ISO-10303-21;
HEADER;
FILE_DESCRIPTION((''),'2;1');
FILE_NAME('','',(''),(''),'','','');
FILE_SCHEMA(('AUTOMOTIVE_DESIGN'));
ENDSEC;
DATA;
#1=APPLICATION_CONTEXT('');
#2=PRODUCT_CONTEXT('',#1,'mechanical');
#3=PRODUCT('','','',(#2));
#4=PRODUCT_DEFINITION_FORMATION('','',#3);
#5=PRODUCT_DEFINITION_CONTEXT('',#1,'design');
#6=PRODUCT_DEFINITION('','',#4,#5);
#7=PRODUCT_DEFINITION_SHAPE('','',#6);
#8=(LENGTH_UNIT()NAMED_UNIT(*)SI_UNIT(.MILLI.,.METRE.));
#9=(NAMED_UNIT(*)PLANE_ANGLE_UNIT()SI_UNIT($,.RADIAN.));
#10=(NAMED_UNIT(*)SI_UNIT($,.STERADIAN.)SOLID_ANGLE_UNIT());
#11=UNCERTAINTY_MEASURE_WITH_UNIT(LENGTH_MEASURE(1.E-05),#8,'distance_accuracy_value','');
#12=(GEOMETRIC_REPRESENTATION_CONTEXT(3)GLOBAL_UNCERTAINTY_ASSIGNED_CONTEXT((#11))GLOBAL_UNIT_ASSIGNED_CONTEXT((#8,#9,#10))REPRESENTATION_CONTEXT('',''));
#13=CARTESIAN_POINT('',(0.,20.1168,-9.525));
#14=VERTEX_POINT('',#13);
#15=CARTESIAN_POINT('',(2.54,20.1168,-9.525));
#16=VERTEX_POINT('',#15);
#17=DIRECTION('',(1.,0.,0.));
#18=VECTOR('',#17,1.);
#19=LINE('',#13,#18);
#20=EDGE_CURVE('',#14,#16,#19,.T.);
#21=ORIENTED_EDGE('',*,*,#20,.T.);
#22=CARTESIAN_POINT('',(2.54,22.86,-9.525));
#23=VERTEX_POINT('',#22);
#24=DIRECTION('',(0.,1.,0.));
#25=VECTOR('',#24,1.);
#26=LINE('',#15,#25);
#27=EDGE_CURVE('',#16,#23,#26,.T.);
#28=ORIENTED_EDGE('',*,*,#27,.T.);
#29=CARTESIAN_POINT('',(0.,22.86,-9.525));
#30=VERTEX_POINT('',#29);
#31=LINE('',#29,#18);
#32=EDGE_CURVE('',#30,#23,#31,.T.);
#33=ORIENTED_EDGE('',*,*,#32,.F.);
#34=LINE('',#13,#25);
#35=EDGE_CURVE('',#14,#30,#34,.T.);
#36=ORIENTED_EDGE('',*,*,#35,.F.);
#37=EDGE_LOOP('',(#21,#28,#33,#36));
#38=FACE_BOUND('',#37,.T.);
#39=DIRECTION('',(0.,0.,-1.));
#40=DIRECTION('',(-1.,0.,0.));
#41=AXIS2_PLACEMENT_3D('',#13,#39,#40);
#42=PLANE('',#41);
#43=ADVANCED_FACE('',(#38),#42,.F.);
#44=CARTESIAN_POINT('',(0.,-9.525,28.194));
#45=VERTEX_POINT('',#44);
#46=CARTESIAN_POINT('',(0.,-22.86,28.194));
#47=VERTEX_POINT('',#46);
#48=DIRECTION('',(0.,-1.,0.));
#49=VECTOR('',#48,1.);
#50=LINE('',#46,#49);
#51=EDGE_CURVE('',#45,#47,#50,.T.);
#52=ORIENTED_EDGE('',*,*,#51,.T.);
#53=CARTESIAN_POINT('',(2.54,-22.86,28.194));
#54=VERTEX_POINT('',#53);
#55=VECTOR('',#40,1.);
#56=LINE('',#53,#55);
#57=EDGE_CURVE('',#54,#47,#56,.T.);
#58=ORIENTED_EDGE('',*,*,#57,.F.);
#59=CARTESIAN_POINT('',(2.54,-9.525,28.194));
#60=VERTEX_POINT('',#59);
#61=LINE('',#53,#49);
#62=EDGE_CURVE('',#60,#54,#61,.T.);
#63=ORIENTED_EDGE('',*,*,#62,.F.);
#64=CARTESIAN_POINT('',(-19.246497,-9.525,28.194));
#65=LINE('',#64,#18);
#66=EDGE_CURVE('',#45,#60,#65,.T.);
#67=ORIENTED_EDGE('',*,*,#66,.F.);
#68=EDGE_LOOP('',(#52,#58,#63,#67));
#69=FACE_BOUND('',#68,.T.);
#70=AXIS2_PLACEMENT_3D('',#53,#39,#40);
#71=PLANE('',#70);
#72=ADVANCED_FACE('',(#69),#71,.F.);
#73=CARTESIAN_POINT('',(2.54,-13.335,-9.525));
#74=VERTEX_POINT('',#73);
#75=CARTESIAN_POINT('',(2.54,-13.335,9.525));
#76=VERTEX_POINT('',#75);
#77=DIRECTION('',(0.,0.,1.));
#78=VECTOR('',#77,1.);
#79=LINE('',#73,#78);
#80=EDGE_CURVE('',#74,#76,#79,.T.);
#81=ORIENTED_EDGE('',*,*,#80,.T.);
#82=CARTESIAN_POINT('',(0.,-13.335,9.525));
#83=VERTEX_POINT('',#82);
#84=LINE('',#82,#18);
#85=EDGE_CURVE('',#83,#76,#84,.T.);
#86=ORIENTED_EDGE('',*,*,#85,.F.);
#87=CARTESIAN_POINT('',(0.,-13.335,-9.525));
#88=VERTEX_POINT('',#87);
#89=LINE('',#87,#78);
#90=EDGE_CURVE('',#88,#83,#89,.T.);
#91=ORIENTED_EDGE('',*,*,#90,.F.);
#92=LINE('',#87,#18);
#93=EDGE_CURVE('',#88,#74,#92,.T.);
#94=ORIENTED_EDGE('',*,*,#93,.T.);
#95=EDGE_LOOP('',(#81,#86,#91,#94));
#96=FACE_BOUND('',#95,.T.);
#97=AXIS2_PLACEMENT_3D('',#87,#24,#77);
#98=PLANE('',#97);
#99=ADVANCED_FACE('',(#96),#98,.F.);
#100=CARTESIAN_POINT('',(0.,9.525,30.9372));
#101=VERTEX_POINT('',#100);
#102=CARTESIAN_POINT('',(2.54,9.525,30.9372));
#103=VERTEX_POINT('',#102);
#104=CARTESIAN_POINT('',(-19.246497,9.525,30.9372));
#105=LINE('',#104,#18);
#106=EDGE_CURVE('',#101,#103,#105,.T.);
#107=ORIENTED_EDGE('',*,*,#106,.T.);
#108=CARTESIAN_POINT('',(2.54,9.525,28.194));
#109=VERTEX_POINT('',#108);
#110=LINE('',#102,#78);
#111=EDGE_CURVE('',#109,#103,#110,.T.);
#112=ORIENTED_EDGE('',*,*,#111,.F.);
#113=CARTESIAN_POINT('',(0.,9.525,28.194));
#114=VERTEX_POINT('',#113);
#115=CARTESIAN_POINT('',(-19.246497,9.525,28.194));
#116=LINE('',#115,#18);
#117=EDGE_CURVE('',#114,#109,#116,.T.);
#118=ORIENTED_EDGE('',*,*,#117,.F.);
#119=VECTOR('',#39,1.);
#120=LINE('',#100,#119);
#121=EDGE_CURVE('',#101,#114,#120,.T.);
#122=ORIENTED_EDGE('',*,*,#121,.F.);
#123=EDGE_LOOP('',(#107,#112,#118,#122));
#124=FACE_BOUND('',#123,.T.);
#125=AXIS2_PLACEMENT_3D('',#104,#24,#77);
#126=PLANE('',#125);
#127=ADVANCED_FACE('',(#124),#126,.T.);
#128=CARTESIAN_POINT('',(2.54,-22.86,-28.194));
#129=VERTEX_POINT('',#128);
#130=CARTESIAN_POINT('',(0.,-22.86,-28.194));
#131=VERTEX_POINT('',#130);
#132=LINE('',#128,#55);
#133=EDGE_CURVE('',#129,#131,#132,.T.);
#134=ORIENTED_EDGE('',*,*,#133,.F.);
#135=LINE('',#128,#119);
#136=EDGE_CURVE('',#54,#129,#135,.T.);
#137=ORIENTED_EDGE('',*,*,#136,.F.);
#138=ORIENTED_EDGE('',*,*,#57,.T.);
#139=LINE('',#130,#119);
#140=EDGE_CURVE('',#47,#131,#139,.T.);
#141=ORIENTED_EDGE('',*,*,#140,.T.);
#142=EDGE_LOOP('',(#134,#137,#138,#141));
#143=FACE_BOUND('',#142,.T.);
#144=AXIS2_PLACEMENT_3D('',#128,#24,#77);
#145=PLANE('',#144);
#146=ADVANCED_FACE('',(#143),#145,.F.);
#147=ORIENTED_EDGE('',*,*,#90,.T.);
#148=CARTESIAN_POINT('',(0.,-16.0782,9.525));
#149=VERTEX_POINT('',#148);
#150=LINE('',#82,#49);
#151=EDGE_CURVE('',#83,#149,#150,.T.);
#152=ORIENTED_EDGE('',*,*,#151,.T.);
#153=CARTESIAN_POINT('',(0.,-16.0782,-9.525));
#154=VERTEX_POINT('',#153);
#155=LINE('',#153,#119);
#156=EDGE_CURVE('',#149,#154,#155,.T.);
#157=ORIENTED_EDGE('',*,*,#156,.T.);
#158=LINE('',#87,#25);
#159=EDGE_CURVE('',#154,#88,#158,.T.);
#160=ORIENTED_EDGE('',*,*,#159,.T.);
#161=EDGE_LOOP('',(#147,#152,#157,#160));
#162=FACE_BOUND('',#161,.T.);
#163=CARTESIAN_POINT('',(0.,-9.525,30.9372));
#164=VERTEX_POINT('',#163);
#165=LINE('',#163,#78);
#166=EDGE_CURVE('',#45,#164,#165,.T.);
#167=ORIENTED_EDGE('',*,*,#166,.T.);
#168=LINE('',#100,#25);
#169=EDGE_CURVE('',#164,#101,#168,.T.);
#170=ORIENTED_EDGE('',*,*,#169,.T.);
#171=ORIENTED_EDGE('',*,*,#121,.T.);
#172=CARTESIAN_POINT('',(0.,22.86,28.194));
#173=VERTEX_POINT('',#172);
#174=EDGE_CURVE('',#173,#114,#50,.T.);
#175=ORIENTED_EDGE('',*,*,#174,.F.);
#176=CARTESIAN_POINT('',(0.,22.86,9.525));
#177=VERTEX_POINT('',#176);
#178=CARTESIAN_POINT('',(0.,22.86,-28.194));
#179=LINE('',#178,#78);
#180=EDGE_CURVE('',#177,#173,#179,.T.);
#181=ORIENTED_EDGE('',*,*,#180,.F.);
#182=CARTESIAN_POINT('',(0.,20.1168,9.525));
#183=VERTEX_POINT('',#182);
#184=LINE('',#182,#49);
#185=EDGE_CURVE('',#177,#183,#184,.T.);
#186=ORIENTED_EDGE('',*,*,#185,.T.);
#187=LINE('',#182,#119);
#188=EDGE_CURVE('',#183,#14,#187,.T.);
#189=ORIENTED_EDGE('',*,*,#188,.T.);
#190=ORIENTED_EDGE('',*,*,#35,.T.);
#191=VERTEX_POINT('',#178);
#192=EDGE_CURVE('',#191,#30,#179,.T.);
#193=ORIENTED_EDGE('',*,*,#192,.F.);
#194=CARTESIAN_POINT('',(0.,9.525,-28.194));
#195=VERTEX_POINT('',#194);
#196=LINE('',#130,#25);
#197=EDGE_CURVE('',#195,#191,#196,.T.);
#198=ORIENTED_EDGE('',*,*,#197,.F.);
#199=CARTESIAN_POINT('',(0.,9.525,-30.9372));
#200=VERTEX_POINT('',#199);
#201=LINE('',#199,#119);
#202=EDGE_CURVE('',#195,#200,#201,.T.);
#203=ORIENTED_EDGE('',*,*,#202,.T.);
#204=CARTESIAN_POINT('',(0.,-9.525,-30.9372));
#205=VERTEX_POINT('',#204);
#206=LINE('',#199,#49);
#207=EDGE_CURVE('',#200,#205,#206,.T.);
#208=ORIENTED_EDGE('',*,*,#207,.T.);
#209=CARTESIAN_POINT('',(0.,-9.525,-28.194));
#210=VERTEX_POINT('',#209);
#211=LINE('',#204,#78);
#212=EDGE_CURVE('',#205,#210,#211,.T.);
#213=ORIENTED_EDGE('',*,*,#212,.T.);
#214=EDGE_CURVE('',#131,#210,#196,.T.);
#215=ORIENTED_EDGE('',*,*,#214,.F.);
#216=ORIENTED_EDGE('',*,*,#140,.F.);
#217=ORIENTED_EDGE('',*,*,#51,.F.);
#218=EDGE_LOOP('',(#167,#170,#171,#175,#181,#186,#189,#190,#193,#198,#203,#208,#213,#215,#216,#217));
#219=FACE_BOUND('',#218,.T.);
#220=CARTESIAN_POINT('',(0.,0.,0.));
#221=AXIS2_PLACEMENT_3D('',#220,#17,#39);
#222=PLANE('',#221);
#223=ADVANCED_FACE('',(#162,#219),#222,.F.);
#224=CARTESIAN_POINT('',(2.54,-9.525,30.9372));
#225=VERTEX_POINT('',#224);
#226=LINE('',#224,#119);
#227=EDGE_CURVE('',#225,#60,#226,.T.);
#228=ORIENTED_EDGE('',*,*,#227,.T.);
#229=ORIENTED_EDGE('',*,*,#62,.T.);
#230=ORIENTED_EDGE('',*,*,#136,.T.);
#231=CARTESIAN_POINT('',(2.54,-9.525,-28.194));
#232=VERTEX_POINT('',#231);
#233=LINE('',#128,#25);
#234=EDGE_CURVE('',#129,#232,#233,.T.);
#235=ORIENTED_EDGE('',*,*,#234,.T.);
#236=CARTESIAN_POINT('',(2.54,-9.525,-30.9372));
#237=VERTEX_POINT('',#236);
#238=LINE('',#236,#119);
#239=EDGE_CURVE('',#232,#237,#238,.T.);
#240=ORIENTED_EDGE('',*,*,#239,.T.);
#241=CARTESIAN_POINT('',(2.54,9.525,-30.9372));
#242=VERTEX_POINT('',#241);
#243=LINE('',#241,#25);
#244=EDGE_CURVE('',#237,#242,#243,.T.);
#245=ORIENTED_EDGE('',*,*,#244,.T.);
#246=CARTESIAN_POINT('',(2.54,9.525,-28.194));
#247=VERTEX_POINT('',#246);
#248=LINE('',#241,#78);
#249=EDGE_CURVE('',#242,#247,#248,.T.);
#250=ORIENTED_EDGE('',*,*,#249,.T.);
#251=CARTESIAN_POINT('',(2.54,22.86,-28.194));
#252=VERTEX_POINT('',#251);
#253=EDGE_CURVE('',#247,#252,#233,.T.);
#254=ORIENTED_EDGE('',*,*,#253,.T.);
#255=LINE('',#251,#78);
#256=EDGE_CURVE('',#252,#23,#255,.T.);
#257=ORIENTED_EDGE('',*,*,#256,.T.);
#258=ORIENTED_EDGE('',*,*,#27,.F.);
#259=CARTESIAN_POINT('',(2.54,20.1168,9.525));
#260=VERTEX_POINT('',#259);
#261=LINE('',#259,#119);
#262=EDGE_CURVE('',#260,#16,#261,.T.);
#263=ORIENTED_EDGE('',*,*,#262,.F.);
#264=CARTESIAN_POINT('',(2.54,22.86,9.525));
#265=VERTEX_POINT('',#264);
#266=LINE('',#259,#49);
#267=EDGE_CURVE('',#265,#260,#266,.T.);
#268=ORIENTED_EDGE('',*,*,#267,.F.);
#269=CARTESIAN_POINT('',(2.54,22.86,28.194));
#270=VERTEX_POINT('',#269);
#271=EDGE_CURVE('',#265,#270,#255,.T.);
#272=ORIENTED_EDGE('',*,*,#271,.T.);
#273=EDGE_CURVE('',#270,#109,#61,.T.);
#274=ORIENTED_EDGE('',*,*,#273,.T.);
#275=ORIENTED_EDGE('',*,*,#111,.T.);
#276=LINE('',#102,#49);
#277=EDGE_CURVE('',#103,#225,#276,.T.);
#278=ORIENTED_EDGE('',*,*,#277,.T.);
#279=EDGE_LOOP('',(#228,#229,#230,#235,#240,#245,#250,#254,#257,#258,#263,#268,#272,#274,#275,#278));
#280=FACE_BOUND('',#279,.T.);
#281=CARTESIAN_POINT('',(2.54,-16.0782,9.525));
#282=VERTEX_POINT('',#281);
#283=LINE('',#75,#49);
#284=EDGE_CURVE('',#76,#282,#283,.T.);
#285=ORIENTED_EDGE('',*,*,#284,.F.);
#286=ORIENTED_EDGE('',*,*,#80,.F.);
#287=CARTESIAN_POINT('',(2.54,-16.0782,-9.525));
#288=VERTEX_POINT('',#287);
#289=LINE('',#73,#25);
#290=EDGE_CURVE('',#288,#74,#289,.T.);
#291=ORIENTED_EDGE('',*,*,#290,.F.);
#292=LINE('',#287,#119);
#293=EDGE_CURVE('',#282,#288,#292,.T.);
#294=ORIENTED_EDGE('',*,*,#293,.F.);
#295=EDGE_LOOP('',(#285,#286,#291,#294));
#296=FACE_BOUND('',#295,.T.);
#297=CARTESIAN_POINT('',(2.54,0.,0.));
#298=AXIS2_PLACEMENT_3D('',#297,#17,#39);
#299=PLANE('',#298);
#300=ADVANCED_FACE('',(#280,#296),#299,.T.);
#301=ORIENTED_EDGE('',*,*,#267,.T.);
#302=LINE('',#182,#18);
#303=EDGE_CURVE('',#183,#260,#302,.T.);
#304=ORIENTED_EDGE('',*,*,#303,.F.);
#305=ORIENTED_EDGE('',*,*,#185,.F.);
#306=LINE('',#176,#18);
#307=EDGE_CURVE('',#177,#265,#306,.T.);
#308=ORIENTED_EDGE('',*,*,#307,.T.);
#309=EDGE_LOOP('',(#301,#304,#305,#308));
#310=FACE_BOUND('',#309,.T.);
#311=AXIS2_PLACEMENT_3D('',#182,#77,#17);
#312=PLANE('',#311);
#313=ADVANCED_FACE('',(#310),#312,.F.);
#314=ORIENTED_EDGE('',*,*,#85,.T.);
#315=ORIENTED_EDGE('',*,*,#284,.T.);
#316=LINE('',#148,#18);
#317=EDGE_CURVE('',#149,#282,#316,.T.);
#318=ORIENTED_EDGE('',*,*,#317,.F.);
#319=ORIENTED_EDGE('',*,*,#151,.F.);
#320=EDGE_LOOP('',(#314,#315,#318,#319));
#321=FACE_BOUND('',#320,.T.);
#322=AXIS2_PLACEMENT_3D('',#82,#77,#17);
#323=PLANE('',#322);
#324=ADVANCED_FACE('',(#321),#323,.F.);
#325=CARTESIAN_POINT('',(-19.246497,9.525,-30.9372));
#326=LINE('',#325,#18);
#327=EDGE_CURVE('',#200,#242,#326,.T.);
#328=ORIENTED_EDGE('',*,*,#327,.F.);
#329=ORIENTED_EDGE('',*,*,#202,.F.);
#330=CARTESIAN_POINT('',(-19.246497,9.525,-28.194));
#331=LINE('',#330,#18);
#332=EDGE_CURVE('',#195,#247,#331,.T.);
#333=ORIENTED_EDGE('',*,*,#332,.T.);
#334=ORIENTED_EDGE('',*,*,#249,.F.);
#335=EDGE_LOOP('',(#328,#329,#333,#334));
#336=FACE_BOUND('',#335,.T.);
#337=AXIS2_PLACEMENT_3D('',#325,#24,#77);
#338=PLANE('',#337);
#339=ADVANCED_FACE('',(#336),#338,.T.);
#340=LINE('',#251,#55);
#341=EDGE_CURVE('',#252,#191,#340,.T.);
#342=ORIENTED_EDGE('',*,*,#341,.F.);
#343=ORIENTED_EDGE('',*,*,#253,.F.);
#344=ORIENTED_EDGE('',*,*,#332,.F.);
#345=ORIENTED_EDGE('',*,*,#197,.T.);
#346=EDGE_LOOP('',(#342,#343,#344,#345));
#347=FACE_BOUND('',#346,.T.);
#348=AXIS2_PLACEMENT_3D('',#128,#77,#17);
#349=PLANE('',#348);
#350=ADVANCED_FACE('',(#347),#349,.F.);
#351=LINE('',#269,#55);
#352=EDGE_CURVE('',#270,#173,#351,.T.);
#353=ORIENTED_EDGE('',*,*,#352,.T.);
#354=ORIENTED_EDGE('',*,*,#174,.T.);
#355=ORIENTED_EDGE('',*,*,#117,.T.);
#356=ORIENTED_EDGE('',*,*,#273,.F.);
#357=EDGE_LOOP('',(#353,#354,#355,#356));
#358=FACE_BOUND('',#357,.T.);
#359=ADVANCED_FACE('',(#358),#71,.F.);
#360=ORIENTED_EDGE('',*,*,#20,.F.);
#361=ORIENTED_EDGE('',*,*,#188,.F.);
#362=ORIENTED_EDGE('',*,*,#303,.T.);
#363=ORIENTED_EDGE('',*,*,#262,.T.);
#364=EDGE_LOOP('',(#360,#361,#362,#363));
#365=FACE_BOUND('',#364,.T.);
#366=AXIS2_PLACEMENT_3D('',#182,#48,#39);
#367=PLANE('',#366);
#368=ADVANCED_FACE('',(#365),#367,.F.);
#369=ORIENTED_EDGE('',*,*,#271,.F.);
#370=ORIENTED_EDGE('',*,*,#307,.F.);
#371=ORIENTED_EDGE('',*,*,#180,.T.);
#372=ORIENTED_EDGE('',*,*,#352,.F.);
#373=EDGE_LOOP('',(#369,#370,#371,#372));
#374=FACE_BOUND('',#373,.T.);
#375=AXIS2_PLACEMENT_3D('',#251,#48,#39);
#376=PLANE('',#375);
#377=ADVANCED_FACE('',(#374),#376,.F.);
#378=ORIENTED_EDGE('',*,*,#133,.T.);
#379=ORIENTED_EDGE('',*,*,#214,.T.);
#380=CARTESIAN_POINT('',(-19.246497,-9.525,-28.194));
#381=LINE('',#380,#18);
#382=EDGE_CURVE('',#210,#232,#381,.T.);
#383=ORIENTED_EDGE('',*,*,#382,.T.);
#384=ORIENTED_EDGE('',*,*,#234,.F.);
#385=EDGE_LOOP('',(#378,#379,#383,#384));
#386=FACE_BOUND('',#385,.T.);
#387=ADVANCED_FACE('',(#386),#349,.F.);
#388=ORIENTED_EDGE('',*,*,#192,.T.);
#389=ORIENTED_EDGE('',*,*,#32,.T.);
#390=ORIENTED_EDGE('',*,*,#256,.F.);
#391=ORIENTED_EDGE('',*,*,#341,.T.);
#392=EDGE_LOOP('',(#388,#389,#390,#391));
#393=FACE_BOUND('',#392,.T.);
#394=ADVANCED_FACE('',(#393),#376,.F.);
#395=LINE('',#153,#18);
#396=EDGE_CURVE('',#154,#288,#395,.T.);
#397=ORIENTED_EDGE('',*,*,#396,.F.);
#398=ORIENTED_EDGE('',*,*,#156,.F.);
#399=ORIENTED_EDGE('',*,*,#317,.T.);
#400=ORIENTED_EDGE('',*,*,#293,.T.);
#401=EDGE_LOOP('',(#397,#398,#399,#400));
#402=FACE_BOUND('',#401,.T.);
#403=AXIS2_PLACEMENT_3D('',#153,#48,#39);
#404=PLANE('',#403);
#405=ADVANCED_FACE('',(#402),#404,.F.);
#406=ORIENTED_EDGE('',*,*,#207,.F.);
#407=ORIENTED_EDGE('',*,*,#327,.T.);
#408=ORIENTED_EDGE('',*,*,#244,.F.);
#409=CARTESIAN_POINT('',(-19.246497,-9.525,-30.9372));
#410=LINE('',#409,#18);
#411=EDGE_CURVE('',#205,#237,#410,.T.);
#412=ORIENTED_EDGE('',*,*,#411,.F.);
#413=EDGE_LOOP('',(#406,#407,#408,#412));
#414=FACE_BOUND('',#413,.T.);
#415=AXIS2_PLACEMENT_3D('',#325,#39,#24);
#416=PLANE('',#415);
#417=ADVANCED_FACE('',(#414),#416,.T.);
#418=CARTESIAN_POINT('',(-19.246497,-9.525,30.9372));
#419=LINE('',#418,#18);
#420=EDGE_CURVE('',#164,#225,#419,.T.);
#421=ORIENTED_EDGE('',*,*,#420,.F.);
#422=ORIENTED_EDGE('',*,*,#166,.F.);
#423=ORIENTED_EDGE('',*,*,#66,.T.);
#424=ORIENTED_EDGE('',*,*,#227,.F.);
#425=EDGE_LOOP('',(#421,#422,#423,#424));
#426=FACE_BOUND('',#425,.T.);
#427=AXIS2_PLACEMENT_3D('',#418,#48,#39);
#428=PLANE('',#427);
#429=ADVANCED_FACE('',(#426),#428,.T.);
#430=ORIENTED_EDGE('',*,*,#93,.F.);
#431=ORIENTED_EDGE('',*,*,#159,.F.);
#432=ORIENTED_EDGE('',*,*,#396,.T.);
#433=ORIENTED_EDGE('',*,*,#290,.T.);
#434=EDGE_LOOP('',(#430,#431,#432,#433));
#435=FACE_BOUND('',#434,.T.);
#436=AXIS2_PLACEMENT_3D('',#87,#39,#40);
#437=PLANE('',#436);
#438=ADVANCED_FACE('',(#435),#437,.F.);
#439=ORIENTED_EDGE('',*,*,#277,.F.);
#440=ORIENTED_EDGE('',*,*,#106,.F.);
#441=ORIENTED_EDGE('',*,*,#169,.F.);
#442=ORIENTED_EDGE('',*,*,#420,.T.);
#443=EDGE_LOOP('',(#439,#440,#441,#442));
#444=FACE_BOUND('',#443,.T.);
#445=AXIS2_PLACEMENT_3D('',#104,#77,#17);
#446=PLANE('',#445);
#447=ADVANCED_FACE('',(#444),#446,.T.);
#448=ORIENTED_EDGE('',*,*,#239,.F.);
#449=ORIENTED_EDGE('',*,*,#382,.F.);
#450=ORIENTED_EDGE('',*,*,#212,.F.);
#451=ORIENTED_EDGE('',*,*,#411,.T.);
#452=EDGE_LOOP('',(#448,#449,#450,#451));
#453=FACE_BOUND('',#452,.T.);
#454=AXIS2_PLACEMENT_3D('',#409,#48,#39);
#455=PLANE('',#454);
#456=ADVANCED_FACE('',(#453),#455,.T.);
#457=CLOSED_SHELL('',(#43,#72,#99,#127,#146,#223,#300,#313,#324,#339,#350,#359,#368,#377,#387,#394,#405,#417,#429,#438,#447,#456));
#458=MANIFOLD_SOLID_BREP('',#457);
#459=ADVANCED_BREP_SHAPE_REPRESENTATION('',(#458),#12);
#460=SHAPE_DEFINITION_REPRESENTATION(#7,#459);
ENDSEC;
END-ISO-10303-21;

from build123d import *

# Parameters (mm, degrees)
SKETCH1_W           = 56.388
SKETCH1_H           = 45.72
BOSS_EXTRUDE1_DEPTH = 2.54
SKETCH2_W           = 2.7432
SKETCH2_H           = 19.05
BOSS_EXTRUDE2_DEPTH = 2.54
SKETCH3_W           = 19.05
SKETCH3_H           = 2.7432
CUT_EXTRUDE1_DEPTH  = 3.54


with BuildPart() as part:
    # Sketch1 → Boss-Extrude1 (new body)
    with BuildSketch(Plane(origin=(0, 0, 0), x_dir=(0, 0, -1), z_dir=(1, 0, 0))):
        Rectangle(SKETCH1_W, SKETCH1_H)
    extrude(amount=BOSS_EXTRUDE1_DEPTH)

    # Sketch2 → Boss-Extrude2 (add)
    with BuildSketch(Plane(origin=(2.54, 0, 0), x_dir=(0, 0, -1), z_dir=(1, 0, 0))):
        with Locations((-29.5656, 0)):
            Rectangle(SKETCH2_W, SKETCH2_H)
        with Locations((29.5656, 0)):
            Rectangle(SKETCH2_W, SKETCH2_H)
    extrude(amount=-BOSS_EXTRUDE2_DEPTH)

    # Sketch3 → Cut-Extrude1 (cut, through all)
    with BuildSketch(Plane(origin=(2.54, 0, 0), x_dir=(0, 0, -1), z_dir=(1, 0, 0))):
        with Locations((0, 21.4884)):
            Rectangle(SKETCH3_W, SKETCH3_H)
        with Locations((0, -14.7066)):
            Rectangle(SKETCH3_W, SKETCH3_H)
    extrude(amount=-CUT_EXTRUDE1_DEPTH, mode=Mode.SUBTRACT)


solid = part.part
